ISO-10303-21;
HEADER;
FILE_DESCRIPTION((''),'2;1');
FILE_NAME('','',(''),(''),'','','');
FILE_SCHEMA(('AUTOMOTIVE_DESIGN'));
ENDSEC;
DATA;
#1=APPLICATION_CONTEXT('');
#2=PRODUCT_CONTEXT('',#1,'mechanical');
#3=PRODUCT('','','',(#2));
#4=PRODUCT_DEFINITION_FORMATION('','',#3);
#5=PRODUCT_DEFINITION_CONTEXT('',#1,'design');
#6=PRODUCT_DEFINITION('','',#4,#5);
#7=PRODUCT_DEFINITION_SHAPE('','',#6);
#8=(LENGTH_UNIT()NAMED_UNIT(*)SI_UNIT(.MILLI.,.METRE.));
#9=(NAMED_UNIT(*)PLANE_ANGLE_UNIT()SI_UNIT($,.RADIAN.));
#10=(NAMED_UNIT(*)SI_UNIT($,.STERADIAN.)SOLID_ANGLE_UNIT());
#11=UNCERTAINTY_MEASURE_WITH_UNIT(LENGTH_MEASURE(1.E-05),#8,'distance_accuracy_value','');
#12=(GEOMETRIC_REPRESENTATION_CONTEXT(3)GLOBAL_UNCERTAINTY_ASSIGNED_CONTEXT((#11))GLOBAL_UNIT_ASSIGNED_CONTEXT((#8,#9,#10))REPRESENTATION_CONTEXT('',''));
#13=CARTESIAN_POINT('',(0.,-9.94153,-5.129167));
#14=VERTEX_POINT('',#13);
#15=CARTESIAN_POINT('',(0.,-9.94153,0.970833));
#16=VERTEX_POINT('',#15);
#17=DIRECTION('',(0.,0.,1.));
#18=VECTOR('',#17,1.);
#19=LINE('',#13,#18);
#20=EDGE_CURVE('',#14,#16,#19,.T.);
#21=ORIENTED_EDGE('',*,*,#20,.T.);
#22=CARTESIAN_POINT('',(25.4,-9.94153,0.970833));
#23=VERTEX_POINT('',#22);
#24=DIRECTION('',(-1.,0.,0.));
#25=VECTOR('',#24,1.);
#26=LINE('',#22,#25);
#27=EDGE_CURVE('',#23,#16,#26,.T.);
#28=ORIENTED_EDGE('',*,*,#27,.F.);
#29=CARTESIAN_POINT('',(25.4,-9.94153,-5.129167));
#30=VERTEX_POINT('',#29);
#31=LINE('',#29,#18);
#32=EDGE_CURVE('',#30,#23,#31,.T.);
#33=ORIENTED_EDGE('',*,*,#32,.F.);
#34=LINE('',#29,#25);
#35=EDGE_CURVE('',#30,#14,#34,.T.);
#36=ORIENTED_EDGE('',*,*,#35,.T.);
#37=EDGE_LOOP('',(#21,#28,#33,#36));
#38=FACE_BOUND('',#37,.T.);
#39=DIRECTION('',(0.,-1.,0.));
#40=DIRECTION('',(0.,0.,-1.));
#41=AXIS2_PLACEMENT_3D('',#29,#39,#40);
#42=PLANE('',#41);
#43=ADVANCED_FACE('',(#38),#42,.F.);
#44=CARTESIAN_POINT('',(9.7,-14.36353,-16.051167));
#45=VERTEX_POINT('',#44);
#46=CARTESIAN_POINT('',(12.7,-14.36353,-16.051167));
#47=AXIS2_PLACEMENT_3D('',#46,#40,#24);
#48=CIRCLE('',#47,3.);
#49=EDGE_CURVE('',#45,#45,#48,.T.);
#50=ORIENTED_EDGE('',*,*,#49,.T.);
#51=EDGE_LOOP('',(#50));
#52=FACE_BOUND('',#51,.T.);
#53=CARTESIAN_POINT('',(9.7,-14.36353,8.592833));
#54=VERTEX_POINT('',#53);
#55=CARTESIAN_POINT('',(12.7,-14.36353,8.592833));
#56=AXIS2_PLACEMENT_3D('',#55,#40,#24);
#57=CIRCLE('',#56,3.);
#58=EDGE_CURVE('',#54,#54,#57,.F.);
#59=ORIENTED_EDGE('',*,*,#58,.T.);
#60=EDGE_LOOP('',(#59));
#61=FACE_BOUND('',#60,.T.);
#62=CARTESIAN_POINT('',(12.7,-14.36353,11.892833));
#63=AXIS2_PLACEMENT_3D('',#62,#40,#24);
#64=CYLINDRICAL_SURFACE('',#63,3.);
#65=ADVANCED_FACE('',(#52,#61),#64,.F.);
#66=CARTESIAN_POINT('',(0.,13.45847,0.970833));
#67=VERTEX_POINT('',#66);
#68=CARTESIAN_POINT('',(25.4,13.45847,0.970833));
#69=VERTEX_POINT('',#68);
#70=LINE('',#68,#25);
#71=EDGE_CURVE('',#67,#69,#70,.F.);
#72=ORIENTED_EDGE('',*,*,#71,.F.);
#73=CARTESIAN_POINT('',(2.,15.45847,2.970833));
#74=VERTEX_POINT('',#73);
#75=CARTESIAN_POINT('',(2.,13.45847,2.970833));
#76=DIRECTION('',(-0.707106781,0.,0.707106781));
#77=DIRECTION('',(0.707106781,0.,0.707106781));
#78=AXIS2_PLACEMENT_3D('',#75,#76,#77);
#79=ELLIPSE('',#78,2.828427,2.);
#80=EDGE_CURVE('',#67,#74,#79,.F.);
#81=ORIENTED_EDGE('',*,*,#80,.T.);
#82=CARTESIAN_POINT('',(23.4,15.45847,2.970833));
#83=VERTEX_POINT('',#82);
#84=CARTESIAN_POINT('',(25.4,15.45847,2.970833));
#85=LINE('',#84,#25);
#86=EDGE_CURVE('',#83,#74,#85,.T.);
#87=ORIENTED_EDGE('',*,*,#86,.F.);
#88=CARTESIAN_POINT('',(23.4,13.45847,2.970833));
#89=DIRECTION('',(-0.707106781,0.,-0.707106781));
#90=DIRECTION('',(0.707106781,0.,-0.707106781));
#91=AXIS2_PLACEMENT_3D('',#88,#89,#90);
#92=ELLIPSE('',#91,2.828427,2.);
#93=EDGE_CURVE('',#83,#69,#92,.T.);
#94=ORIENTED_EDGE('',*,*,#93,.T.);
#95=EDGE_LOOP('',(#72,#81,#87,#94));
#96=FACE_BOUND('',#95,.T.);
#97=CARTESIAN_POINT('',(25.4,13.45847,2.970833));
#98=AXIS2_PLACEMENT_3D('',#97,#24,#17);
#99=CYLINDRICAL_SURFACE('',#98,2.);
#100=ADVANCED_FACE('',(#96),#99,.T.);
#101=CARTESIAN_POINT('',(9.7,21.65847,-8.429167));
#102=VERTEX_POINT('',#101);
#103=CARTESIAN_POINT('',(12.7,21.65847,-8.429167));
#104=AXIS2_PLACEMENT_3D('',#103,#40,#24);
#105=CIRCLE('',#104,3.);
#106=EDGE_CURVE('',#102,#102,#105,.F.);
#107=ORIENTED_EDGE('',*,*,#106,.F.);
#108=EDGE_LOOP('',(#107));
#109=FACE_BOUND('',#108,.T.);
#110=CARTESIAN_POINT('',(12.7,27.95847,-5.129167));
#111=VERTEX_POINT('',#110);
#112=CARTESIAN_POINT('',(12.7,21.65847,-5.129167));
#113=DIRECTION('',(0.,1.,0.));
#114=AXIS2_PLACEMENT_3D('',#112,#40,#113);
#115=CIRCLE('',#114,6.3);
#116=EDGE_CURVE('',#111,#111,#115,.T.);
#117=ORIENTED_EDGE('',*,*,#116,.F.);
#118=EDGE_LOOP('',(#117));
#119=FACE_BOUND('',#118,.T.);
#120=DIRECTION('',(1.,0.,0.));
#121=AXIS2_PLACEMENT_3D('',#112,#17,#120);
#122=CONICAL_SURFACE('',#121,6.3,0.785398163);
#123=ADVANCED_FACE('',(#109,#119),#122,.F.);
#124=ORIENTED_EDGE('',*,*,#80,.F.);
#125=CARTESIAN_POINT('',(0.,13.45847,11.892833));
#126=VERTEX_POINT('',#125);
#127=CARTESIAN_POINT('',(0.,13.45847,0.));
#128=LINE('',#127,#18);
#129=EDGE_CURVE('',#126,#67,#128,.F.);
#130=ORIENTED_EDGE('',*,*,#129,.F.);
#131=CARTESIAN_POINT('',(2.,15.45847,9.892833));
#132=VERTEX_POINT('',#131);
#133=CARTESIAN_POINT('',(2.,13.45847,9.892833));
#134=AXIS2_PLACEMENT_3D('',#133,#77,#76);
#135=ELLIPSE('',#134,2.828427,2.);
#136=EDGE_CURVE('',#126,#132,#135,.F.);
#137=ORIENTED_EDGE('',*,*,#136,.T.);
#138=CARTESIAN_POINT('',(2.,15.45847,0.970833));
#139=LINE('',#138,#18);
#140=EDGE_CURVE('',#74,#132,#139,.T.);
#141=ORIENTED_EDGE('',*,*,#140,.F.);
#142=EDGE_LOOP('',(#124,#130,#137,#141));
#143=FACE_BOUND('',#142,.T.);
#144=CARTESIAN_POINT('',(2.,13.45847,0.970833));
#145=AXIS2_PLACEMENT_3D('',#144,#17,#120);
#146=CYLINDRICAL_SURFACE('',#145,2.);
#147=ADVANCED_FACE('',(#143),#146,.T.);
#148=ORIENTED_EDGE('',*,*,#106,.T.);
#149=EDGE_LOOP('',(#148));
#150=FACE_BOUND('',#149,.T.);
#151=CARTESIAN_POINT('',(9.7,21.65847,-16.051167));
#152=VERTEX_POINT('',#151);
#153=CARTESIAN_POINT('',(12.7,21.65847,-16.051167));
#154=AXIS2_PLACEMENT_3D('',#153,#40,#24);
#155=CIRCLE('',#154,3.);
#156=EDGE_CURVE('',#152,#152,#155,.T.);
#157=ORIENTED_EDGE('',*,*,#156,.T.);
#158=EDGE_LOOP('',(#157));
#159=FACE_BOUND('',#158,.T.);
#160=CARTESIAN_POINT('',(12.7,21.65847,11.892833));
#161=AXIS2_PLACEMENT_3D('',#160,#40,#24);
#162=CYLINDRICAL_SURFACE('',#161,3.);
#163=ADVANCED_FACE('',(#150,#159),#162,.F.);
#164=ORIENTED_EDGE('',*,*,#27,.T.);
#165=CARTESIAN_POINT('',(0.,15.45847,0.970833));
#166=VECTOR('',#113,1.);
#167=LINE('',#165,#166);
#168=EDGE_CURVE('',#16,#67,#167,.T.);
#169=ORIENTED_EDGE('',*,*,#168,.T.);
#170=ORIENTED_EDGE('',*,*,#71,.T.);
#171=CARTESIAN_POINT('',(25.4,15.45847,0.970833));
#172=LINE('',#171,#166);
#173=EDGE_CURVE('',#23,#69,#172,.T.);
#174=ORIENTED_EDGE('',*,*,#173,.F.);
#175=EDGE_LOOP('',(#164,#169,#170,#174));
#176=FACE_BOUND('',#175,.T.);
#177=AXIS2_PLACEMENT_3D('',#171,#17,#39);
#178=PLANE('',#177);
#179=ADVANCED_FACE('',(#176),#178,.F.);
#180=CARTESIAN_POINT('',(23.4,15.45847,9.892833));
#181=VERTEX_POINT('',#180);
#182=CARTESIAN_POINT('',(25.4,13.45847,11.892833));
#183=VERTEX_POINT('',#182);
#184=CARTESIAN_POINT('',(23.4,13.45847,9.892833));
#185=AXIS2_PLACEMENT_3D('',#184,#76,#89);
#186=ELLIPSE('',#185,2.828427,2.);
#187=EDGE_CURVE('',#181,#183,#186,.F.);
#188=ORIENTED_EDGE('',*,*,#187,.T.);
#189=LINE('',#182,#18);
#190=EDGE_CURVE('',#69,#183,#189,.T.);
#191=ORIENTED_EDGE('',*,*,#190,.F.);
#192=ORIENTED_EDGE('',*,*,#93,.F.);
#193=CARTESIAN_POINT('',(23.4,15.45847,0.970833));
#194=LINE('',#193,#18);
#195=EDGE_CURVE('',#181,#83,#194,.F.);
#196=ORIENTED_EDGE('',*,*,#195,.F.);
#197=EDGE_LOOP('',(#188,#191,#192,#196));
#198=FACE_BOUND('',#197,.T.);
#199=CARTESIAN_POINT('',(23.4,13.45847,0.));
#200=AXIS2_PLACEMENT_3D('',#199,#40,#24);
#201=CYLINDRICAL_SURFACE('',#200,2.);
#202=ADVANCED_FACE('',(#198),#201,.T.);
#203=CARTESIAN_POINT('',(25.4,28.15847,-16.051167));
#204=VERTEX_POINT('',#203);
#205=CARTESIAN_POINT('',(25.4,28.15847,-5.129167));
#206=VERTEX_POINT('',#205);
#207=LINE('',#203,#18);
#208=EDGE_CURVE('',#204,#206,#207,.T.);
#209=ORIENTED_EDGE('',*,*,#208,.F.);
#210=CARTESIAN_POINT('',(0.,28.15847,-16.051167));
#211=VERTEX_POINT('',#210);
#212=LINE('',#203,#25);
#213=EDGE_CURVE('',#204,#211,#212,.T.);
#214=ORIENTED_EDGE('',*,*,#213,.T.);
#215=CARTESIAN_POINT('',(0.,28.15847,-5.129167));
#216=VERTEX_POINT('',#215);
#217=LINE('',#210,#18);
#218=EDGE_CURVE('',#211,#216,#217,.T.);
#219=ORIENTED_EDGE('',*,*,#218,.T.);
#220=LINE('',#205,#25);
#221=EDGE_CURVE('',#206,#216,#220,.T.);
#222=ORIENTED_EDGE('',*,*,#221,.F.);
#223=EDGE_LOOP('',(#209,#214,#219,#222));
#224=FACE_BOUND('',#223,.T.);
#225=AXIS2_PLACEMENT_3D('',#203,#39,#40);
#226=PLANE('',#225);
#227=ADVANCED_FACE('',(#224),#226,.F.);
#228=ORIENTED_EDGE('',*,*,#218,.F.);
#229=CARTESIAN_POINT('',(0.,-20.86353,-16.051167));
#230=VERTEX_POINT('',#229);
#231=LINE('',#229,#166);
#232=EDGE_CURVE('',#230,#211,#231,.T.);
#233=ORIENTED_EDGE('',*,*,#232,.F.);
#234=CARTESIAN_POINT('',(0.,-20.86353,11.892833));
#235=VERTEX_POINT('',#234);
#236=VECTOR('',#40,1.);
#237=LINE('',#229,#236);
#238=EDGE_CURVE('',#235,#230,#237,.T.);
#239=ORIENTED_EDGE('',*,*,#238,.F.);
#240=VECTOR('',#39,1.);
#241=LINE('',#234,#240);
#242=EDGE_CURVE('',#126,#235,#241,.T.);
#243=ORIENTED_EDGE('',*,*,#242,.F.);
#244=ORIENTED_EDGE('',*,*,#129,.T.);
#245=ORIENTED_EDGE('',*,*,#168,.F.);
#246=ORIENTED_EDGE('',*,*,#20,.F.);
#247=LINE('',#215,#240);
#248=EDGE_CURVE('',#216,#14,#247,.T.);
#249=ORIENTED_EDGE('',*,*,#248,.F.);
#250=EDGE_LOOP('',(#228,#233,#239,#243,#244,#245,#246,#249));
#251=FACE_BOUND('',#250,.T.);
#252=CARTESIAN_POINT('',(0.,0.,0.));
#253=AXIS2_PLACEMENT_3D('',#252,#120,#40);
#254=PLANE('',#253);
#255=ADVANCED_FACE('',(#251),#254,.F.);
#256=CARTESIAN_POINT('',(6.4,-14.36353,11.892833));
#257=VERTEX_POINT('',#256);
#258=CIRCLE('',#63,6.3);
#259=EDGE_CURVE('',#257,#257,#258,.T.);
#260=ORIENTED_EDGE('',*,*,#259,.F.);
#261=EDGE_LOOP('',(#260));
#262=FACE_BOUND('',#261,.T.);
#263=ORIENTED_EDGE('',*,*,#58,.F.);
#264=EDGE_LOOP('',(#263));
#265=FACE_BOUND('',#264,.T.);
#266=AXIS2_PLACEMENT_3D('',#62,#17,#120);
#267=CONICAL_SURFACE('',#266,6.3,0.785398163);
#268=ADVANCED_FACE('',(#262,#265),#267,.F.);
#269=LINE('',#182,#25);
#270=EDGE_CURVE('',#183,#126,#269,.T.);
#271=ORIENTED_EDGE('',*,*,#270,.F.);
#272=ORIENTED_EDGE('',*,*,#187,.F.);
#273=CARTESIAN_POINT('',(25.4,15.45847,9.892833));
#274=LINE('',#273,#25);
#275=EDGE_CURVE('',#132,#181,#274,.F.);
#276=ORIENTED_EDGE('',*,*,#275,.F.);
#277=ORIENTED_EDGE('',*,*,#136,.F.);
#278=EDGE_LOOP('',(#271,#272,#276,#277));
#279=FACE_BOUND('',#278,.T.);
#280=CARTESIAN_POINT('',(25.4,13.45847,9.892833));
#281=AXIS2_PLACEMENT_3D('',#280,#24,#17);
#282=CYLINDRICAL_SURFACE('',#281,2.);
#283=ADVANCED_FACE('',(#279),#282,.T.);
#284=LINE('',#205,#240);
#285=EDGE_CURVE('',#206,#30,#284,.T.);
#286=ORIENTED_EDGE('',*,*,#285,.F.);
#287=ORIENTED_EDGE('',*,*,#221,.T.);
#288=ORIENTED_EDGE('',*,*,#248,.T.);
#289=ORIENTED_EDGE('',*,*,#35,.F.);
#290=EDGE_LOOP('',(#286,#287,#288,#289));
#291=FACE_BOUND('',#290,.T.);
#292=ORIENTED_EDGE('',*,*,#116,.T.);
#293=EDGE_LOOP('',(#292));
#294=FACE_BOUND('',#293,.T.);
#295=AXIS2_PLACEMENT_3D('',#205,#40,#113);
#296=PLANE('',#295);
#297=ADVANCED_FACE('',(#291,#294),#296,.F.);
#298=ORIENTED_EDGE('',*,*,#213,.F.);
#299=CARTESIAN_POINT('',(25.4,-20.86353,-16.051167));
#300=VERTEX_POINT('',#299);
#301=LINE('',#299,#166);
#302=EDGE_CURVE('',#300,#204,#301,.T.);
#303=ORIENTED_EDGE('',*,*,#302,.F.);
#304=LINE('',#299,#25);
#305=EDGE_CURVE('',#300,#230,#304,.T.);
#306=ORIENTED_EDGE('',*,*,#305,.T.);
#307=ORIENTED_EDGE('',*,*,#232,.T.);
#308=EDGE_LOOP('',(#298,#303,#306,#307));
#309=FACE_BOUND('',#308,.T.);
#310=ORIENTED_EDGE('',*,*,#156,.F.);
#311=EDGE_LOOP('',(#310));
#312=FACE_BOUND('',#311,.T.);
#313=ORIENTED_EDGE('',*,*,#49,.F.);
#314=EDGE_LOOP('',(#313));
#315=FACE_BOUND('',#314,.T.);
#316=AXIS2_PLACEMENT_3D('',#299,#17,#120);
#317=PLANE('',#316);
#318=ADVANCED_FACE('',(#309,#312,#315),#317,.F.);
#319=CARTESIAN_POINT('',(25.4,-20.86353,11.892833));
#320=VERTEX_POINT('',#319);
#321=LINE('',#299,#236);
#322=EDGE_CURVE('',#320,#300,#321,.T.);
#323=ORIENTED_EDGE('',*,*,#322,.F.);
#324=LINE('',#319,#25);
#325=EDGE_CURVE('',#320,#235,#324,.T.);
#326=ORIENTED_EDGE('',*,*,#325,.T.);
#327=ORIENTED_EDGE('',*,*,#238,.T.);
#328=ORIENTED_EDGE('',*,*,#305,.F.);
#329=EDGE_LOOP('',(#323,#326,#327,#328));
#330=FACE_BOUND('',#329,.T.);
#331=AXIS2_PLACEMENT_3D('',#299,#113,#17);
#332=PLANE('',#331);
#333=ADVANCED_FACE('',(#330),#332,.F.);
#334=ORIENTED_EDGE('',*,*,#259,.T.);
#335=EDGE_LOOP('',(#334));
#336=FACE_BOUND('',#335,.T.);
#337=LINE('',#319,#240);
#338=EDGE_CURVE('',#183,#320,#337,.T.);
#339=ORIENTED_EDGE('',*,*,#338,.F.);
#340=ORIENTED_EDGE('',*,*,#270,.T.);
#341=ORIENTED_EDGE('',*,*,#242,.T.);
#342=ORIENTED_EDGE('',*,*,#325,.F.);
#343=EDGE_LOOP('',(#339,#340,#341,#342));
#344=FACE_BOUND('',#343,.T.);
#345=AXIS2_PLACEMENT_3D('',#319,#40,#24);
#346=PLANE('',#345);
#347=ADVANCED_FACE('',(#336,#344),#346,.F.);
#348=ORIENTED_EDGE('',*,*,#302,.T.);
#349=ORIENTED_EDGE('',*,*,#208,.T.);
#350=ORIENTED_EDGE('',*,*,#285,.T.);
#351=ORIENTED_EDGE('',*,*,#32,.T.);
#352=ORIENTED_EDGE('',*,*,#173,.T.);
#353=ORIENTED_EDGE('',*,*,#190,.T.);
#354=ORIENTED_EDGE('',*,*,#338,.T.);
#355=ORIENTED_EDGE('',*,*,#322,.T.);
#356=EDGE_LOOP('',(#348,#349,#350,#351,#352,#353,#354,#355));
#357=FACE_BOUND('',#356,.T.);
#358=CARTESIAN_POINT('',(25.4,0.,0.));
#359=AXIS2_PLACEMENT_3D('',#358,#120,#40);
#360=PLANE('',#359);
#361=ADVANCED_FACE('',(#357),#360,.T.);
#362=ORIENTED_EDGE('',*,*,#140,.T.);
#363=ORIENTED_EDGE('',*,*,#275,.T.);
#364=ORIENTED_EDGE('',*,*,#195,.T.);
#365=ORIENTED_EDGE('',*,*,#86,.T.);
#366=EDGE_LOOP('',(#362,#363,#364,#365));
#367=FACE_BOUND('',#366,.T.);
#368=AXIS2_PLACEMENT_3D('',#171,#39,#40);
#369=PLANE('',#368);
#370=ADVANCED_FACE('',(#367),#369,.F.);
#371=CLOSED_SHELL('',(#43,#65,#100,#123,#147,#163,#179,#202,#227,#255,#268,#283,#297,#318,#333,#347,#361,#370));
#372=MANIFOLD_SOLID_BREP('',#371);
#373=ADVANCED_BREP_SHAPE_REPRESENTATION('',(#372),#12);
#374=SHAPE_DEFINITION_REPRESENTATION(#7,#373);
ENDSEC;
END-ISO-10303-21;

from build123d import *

# Parameters (mm, degrees)
BOSS_EXTRUDE1_DEPTH = 25.4
SKETCH2_R           = 3
CUT_EXTRUDE1_DEPTH  = 28.944
CHAMFER1_SIZE       = 3.3
FILLET1_R           = 2


with BuildPart() as part:
    # Sketch1 → Boss-Extrude1 (new body)
    with BuildSketch(Plane(origin=(0, 0, 0), x_dir=(0, 0, -1), z_dir=(1, 0, 0))):
        Polygon((-0.970833333, 15.458470238), (-11.892833333, 15.458470238), (-11.892833333, -20.863529762), (16.051166667, -20.863529762), (16.051166667, 28.158470238), (5.129166667, 28.158470238), (5.129166667, -9.941529762), (-0.970833333, -9.941529762), align=None)
    extrude(amount=BOSS_EXTRUDE1_DEPTH)

    # Sketch2 → Cut-Extrude1 (cut, through all)
    with BuildSketch(Plane(origin=(0, 0, -16.051166667), x_dir=(-1, 0, 0), z_dir=(0, 0, -1))):
        with Locations((-12.7, 21.658470238)):
            Circle(SKETCH2_R)
        with Locations((-12.7, -14.363529762)):
            Circle(SKETCH2_R)
    extrude(amount=-CUT_EXTRUDE1_DEPTH, mode=Mode.SUBTRACT)

    # Chamfer1
    chamfer1_edges = [part.edges().sort_by_distance(p)[0] for p in [
        (15.7, 21.658470238, -5.129166667),
        (15.7, -14.363529762, 11.892833333),
    ]]
    chamfer(chamfer1_edges, length=CHAMFER1_SIZE)

    # Fillet1
    fillet1_edges = [part.edges().sort_by_distance(p)[0] for p in [
        (12.7, 15.458470238, 11.892833333),
        (12.7, 15.458470238, 0.970833333),
        (25.4, 15.458470238, 6.431833333),
        (0, 15.458470238, 6.431833333),
    ]]
    fillet(fillet1_edges, radius=FILLET1_R)


solid = part.part
